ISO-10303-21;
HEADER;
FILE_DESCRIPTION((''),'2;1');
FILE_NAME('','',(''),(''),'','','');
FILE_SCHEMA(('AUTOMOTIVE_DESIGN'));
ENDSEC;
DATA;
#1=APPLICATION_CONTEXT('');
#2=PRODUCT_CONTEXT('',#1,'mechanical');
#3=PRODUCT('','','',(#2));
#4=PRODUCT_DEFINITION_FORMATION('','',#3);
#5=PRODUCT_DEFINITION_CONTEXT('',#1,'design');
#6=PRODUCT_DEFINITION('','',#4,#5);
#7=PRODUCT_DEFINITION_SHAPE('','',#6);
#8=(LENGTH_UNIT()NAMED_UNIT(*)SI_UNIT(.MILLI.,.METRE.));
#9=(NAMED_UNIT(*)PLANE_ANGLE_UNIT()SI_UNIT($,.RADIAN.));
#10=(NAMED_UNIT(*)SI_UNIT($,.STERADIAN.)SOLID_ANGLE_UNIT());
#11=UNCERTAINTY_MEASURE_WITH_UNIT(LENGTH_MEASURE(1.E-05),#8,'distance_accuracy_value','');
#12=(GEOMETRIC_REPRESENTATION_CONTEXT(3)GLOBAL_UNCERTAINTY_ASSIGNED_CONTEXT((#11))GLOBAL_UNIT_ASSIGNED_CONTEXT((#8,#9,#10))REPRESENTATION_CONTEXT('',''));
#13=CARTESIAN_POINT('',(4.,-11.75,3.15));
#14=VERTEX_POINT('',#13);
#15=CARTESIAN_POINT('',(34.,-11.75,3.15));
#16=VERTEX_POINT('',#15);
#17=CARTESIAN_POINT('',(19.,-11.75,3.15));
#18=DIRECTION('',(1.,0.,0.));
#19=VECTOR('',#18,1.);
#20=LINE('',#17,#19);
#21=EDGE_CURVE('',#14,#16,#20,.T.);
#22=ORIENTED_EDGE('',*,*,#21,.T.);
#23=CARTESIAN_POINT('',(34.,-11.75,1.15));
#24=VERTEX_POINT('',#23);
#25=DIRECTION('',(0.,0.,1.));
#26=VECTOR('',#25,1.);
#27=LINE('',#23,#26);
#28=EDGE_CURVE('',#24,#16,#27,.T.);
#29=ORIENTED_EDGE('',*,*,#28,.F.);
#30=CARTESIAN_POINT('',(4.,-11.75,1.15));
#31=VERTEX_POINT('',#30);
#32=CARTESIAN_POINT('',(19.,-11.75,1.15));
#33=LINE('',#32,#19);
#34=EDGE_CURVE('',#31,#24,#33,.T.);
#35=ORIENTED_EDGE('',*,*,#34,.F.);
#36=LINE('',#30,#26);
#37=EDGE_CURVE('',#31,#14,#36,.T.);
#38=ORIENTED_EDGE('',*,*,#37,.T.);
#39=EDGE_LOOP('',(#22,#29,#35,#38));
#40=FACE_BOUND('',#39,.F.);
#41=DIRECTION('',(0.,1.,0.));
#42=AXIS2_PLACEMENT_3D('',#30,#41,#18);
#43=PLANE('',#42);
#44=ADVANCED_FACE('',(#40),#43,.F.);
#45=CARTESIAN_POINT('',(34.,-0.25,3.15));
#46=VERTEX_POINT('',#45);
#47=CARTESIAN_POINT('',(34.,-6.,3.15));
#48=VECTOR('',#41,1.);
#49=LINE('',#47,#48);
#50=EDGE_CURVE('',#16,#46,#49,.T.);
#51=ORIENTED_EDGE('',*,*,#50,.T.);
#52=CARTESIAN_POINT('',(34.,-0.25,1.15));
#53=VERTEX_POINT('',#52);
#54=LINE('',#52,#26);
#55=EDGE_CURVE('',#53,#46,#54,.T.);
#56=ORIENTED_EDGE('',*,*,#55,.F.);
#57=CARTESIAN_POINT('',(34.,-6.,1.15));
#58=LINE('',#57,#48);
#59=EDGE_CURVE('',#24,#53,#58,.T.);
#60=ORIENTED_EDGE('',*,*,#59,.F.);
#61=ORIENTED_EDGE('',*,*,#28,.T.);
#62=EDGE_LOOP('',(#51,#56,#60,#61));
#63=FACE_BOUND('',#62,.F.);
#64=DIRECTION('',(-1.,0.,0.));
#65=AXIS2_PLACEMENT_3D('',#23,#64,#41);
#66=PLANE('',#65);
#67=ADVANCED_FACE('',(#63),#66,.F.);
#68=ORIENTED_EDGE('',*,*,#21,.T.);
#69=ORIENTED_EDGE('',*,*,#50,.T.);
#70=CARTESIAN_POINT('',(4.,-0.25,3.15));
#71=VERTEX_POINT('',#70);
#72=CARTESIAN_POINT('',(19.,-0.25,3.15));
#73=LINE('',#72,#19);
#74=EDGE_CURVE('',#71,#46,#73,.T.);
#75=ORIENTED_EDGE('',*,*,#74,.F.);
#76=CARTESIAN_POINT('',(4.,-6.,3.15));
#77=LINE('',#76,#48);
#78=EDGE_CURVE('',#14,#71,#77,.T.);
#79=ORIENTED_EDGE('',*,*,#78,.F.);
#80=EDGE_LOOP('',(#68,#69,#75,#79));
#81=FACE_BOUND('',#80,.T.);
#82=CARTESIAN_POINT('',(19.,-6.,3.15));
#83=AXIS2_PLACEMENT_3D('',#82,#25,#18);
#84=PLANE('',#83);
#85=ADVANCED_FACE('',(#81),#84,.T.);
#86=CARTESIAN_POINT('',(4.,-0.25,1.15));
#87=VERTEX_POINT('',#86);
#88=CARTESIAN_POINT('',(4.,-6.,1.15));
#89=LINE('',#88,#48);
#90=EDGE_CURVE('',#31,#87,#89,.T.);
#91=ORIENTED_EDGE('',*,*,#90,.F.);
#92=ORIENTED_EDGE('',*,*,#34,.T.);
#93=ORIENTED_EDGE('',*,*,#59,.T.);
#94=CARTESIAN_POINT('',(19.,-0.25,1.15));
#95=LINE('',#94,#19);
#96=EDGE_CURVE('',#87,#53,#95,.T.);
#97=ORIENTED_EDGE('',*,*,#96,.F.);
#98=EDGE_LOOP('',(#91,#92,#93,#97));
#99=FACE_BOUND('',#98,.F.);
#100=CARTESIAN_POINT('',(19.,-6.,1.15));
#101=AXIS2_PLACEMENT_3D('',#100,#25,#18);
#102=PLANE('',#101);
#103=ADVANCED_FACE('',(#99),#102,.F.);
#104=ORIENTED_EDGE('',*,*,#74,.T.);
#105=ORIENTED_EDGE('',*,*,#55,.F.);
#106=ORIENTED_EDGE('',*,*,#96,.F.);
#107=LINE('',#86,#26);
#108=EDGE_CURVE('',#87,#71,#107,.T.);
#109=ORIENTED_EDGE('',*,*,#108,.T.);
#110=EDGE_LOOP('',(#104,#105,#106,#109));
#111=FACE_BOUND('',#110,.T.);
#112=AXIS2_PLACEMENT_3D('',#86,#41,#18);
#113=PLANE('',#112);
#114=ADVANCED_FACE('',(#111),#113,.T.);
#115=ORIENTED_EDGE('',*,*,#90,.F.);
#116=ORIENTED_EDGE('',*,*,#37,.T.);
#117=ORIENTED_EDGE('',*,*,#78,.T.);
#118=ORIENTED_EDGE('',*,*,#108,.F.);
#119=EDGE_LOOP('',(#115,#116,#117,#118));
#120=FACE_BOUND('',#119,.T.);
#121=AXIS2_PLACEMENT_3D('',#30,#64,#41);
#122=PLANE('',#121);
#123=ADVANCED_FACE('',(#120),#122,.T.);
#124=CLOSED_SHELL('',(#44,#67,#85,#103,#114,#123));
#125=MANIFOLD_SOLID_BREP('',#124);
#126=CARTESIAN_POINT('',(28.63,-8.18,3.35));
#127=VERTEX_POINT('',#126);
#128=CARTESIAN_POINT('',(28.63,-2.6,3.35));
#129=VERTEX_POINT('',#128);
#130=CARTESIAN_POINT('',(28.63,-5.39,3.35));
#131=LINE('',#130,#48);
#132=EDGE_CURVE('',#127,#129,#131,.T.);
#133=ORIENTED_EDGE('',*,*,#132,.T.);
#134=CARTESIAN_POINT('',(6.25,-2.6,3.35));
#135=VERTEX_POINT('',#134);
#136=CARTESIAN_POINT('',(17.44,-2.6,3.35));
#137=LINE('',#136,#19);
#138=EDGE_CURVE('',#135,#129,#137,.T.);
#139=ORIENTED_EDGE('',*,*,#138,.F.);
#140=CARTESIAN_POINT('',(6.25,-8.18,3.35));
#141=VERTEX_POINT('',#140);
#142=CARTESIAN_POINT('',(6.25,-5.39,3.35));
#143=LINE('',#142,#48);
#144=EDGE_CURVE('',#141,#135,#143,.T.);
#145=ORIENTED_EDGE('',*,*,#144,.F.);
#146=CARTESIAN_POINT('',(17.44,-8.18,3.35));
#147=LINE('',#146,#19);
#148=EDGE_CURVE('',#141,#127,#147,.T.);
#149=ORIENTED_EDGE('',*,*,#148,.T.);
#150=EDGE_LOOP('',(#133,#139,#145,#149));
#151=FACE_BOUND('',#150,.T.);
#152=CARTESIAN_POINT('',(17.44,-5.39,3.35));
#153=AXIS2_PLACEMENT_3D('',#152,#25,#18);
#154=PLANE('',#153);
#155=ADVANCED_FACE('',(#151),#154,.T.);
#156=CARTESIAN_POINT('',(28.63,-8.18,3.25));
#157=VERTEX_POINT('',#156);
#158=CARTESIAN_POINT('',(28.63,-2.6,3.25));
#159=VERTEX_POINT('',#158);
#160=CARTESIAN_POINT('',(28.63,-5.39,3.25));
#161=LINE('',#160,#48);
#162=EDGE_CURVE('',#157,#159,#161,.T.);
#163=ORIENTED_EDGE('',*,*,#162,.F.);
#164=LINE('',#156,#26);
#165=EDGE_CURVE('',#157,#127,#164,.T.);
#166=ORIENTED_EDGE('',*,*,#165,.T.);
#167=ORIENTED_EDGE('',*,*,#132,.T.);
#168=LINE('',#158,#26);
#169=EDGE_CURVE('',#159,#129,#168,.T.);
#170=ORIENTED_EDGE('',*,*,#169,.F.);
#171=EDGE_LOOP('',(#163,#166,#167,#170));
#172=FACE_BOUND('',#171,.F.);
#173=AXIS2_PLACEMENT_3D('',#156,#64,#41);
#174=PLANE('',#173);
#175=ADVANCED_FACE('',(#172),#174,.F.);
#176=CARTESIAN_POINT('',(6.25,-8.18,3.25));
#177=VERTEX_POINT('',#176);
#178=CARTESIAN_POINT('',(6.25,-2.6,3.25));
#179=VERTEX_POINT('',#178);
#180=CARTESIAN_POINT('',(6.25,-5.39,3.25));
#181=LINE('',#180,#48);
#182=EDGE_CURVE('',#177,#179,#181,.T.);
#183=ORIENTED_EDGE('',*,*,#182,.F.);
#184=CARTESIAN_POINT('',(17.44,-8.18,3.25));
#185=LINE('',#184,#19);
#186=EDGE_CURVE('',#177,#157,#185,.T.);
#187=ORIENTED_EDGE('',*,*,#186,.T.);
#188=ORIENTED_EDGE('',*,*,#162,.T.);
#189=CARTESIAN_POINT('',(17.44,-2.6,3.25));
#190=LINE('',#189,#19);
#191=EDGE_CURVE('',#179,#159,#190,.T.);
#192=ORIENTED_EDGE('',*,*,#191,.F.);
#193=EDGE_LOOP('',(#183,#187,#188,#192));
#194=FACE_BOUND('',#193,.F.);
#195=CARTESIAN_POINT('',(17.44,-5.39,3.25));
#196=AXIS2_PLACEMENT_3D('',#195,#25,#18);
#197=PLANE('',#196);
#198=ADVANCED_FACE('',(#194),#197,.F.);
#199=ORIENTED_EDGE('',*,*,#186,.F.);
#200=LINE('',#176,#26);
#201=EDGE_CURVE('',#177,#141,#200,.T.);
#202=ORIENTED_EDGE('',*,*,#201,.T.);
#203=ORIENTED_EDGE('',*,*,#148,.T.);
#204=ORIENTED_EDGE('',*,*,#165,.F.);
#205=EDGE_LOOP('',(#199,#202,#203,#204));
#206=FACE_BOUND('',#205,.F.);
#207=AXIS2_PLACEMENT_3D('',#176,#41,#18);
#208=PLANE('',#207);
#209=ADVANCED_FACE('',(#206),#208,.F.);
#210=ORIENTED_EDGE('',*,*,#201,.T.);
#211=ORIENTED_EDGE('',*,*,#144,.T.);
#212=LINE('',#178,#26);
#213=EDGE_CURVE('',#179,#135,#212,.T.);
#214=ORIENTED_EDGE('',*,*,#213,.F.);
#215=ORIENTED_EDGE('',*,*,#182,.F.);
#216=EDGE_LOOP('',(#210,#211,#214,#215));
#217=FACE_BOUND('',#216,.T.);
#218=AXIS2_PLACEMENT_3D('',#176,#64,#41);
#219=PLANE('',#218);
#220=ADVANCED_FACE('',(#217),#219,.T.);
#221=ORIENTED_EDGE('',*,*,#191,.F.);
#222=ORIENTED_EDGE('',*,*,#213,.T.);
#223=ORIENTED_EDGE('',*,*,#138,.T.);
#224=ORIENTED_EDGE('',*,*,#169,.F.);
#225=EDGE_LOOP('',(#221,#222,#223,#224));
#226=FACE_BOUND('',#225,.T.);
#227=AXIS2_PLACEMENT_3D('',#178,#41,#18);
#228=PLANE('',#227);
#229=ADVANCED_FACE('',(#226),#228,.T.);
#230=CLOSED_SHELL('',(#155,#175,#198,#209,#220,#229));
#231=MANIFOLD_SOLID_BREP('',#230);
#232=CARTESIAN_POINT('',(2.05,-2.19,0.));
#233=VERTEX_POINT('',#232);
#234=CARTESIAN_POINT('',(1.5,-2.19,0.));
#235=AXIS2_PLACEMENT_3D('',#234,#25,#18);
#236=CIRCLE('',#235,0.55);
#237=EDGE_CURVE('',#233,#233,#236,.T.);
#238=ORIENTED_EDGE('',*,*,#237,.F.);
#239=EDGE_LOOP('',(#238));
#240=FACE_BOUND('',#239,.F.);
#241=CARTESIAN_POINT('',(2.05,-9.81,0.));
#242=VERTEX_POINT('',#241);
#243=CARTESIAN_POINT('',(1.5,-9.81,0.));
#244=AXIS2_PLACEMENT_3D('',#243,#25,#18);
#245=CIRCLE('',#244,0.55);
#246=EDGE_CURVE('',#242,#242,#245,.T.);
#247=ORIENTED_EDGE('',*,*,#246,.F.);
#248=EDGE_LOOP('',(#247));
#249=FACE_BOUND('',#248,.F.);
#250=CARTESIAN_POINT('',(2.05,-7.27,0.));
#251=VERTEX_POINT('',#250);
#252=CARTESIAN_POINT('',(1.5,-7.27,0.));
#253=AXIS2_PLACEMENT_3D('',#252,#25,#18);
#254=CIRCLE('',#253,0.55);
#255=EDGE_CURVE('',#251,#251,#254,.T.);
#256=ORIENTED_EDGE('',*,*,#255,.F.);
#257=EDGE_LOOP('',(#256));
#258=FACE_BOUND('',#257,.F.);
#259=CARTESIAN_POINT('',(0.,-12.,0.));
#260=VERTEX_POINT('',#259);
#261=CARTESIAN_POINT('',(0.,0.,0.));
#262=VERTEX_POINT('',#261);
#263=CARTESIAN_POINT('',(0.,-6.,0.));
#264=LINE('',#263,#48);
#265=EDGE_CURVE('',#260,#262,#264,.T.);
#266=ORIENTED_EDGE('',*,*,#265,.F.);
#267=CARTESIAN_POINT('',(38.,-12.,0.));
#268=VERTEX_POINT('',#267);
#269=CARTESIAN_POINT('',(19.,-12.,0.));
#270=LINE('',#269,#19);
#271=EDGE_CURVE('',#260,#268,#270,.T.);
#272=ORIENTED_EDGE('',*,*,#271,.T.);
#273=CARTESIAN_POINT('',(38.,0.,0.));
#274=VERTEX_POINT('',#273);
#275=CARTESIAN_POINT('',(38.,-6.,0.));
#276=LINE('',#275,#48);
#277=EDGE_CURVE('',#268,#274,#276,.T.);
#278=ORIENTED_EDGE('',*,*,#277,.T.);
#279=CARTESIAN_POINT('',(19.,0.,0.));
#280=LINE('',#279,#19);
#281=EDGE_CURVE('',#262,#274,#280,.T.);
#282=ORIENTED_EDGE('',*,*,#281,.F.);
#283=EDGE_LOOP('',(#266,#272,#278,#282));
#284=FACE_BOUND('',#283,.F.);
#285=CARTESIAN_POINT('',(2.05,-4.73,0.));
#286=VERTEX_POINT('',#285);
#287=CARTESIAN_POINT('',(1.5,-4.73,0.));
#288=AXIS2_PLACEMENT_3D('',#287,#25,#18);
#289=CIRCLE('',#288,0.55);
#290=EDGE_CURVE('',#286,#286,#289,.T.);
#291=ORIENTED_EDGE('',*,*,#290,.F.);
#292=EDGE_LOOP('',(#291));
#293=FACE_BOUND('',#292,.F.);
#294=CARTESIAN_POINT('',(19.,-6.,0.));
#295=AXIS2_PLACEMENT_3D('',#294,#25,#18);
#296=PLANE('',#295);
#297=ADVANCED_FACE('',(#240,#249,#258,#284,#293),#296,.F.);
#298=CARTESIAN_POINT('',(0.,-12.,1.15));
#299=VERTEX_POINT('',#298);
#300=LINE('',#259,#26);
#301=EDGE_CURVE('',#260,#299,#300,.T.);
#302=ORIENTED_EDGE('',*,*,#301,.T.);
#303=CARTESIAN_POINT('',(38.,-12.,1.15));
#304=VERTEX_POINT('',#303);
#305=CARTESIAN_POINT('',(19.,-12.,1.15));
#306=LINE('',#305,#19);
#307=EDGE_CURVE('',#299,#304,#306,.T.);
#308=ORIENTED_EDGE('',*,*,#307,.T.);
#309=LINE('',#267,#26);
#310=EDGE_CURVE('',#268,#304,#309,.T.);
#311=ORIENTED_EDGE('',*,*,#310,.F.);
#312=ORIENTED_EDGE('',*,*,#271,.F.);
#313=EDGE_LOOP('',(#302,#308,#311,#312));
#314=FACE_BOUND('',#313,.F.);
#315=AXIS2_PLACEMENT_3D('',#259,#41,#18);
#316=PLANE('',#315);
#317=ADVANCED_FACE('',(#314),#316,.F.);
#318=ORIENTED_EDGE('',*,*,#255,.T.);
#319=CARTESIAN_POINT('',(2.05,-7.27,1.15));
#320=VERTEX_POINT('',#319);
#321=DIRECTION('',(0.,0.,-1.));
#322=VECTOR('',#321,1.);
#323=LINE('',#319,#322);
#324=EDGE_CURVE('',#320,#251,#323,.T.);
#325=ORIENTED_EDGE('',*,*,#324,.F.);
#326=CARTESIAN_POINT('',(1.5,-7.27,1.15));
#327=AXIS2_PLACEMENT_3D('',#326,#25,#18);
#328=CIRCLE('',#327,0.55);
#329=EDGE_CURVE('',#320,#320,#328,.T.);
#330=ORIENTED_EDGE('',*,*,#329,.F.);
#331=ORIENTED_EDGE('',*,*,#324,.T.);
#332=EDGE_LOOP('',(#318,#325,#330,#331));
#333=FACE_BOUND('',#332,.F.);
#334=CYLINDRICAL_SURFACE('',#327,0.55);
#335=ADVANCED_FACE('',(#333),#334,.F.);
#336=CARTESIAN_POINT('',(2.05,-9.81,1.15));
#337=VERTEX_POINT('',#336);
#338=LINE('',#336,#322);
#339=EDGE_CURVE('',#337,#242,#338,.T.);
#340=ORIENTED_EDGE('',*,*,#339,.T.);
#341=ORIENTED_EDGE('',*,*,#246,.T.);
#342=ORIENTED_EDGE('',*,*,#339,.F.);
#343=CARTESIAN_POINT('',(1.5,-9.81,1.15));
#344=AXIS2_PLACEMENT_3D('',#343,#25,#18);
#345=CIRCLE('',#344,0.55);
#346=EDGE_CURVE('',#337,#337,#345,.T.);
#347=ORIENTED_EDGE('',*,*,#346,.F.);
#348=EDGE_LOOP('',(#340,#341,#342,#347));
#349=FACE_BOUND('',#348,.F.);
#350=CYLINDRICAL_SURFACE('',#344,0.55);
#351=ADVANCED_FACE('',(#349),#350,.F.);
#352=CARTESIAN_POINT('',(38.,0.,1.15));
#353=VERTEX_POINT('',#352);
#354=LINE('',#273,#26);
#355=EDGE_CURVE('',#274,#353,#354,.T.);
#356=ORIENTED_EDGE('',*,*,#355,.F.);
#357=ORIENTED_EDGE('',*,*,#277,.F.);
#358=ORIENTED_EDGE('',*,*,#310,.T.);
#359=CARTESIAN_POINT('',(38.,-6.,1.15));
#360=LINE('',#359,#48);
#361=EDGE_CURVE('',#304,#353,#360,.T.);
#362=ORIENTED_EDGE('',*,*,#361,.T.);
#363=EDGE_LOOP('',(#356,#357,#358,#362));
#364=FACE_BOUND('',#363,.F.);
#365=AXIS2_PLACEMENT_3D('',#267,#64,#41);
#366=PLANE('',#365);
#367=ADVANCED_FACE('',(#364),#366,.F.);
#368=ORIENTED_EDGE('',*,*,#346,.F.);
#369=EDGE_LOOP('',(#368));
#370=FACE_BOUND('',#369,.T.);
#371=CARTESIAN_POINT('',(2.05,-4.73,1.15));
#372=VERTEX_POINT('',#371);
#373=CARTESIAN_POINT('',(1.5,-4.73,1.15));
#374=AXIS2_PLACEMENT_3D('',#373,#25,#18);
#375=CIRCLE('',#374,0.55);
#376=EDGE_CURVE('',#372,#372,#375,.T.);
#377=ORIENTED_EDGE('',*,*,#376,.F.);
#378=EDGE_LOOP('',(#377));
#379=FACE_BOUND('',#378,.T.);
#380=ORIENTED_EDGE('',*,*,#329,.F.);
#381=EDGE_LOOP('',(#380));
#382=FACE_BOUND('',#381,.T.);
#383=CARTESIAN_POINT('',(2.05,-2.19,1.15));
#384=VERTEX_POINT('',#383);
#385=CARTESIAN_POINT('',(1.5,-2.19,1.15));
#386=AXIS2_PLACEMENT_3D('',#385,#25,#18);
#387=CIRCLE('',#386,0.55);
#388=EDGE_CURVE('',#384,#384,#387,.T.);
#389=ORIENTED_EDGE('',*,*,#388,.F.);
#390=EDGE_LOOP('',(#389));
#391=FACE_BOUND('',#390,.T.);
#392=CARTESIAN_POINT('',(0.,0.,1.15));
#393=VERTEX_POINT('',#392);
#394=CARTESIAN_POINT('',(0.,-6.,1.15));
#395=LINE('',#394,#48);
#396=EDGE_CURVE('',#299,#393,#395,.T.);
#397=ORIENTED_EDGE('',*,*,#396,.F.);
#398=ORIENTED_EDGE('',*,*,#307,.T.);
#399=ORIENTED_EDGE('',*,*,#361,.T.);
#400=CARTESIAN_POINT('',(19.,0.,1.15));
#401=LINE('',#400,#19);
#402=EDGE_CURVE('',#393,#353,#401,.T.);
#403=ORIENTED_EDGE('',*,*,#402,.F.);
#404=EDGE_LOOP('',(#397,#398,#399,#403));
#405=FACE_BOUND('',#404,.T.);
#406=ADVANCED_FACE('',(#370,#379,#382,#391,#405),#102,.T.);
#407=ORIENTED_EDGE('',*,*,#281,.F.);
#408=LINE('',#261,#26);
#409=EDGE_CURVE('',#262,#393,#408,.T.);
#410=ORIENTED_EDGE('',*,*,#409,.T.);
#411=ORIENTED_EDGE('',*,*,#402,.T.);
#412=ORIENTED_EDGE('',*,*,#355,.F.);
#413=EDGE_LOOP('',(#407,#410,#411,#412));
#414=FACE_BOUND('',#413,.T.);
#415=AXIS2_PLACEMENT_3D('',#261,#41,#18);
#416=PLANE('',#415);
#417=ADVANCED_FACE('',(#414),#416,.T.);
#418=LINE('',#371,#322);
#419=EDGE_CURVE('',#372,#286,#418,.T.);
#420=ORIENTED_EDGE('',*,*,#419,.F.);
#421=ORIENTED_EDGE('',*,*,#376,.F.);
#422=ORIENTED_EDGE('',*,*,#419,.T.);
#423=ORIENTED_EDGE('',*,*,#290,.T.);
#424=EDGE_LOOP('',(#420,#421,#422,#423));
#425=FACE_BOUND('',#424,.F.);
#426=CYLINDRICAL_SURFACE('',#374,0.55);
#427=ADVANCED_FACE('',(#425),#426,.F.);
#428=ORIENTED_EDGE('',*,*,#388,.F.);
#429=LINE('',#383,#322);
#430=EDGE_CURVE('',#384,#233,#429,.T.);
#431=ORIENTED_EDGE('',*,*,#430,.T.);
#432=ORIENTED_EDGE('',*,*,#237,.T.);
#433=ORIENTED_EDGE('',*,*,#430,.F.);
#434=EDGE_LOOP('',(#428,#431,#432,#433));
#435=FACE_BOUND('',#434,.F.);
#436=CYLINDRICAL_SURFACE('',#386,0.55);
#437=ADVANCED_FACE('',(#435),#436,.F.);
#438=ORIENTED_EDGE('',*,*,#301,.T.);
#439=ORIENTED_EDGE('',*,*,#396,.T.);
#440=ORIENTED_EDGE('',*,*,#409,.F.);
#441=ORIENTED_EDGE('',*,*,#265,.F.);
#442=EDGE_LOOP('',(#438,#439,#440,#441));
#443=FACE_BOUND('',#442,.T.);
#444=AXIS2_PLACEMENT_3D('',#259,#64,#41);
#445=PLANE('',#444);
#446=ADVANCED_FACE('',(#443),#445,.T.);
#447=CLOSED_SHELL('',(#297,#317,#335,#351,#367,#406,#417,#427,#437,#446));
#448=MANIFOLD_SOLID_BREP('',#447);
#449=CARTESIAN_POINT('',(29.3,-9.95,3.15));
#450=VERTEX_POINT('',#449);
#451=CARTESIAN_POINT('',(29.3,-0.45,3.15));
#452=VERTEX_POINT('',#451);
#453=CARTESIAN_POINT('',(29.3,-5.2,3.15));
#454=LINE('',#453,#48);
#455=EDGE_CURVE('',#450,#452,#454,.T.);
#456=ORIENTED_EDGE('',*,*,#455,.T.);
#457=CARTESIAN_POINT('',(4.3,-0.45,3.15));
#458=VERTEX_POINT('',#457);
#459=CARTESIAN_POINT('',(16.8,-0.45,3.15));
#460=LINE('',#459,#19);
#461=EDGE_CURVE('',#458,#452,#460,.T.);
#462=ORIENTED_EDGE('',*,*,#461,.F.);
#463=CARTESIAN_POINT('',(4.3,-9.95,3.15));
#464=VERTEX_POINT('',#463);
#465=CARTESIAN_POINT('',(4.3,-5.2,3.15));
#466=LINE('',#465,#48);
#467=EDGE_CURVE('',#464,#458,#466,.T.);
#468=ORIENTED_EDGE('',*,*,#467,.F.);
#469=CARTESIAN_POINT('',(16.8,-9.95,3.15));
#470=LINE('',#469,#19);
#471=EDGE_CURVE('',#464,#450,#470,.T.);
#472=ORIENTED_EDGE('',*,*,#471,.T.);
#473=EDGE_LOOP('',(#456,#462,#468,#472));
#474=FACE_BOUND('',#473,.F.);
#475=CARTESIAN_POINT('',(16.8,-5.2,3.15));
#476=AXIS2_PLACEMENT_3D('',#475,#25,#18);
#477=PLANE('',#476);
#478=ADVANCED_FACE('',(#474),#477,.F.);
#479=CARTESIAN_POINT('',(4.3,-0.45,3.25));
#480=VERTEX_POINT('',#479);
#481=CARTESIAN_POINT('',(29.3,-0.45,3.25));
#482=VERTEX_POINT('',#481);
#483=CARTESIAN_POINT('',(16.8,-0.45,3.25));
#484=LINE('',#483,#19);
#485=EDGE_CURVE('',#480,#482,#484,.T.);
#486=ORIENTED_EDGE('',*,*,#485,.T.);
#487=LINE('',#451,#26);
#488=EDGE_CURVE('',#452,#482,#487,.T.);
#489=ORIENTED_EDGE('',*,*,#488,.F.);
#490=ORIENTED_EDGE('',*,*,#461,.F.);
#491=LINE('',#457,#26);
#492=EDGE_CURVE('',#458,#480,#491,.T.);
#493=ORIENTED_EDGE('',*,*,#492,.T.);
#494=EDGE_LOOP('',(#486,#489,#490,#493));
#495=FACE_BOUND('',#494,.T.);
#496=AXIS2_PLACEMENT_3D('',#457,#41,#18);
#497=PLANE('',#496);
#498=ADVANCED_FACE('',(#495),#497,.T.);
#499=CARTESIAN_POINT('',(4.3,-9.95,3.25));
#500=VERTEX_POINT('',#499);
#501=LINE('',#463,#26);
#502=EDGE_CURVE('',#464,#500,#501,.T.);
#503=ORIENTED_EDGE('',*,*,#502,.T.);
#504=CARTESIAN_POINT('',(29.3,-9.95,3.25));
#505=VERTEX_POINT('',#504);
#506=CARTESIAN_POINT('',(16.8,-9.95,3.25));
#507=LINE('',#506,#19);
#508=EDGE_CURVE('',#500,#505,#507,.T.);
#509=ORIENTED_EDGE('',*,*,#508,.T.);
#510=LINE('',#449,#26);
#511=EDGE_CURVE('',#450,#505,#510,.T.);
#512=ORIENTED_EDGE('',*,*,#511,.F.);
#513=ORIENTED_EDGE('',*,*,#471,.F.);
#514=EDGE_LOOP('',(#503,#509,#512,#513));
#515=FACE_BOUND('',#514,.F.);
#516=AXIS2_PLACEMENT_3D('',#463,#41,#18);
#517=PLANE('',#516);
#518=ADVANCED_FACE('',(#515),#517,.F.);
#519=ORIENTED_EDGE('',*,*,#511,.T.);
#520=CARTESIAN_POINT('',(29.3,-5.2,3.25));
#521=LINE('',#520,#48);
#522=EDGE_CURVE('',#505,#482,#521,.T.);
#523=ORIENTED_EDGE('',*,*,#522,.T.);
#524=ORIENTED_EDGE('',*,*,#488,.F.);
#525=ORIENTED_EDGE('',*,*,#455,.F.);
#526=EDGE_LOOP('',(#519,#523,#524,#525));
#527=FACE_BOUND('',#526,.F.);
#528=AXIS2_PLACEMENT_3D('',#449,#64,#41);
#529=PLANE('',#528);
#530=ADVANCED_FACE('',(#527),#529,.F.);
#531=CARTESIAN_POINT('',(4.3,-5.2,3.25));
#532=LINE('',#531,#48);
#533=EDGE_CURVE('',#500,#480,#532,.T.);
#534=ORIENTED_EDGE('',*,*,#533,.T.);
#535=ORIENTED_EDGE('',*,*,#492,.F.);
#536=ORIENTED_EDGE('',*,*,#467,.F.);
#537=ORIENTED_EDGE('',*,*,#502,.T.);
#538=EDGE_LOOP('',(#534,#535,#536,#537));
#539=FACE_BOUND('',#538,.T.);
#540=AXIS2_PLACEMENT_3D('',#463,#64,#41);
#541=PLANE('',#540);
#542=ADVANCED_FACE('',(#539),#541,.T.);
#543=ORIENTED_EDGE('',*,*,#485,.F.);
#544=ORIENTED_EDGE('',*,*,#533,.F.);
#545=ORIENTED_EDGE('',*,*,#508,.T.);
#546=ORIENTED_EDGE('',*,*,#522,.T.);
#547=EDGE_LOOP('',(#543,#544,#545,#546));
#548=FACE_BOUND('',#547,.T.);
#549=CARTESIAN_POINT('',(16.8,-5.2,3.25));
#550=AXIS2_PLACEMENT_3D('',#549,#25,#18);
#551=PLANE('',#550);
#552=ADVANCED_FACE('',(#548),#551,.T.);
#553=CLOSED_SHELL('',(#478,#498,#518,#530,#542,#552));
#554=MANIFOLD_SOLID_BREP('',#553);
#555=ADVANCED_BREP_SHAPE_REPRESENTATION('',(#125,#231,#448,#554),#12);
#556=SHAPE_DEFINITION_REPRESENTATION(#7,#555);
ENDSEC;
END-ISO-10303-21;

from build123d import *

# Parameters (mm, degrees)
SKETCH_W     = 38
SKETCH_H     = 12
PAD_DEPTH    = 1.15
SKETCH001_R  = 0.55
POCKET_DEPTH = 1.151
SKETCH002_W  = 30
SKETCH002_H  = 11.5
PAD001_DEPTH = 2
SKETCH003_W  = 25
SKETCH003_H  = 9.5
PAD002_DEPTH = 0.1
SKETCH004_W  = 22.38
SKETCH004_H  = 5.58
PAD003_DEPTH = 0.1


with BuildPart() as pcb:
    # Sketch → Pad (new body)
    with BuildSketch(Plane.XY):
        with Locations((19, -6)):
            Rectangle(SKETCH_W, SKETCH_H)
    extrude(amount=PAD_DEPTH)

    # Sketch001 (on Face6 of Pad) → Pocket (cut, through all)
    with BuildSketch(Plane.XY.offset(1.15)):
        with Locations((1.5, -2.19)):
            Circle(SKETCH001_R)
        with Locations((1.5, -9.81)):
            Circle(SKETCH001_R)
        with Locations((1.5, -4.73)):
            Circle(SKETCH001_R)
        with Locations((1.5, -7.27)):
            Circle(SKETCH001_R)
    extrude(amount=-POCKET_DEPTH, mode=Mode.SUBTRACT)


with BuildPart() as glass:
    # Sketch002 (on Face1 of CopyPocket) → Pad001 (new body)
    with BuildSketch(Plane.XY.offset(1.15)):
        with Locations((19, -6)):
            Rectangle(SKETCH002_W, SKETCH002_H)
    extrude(amount=PAD001_DEPTH)


with BuildPart() as blackfilm:
    # Sketch003 (on Face1 of CopyPad001) → Pad002 (new body)
    with BuildSketch(Plane.XY.offset(3.15)):
        with Locations((16.8, -5.2)):
            Rectangle(SKETCH003_W, SKETCH003_H)
    extrude(amount=PAD002_DEPTH)


with BuildPart() as pixel_area:
    # Sketch004 (on Face1 of CopyPad002) → Pad003 (new body)
    with BuildSketch(Plane.XY.offset(3.25)):
        with Locations((17.44, -5.39)):
            Rectangle(SKETCH004_W, SKETCH004_H)
    extrude(amount=PAD003_DEPTH)


solid = Compound([pcb.part, glass.part, blackfilm.part, pixel_area.part])
